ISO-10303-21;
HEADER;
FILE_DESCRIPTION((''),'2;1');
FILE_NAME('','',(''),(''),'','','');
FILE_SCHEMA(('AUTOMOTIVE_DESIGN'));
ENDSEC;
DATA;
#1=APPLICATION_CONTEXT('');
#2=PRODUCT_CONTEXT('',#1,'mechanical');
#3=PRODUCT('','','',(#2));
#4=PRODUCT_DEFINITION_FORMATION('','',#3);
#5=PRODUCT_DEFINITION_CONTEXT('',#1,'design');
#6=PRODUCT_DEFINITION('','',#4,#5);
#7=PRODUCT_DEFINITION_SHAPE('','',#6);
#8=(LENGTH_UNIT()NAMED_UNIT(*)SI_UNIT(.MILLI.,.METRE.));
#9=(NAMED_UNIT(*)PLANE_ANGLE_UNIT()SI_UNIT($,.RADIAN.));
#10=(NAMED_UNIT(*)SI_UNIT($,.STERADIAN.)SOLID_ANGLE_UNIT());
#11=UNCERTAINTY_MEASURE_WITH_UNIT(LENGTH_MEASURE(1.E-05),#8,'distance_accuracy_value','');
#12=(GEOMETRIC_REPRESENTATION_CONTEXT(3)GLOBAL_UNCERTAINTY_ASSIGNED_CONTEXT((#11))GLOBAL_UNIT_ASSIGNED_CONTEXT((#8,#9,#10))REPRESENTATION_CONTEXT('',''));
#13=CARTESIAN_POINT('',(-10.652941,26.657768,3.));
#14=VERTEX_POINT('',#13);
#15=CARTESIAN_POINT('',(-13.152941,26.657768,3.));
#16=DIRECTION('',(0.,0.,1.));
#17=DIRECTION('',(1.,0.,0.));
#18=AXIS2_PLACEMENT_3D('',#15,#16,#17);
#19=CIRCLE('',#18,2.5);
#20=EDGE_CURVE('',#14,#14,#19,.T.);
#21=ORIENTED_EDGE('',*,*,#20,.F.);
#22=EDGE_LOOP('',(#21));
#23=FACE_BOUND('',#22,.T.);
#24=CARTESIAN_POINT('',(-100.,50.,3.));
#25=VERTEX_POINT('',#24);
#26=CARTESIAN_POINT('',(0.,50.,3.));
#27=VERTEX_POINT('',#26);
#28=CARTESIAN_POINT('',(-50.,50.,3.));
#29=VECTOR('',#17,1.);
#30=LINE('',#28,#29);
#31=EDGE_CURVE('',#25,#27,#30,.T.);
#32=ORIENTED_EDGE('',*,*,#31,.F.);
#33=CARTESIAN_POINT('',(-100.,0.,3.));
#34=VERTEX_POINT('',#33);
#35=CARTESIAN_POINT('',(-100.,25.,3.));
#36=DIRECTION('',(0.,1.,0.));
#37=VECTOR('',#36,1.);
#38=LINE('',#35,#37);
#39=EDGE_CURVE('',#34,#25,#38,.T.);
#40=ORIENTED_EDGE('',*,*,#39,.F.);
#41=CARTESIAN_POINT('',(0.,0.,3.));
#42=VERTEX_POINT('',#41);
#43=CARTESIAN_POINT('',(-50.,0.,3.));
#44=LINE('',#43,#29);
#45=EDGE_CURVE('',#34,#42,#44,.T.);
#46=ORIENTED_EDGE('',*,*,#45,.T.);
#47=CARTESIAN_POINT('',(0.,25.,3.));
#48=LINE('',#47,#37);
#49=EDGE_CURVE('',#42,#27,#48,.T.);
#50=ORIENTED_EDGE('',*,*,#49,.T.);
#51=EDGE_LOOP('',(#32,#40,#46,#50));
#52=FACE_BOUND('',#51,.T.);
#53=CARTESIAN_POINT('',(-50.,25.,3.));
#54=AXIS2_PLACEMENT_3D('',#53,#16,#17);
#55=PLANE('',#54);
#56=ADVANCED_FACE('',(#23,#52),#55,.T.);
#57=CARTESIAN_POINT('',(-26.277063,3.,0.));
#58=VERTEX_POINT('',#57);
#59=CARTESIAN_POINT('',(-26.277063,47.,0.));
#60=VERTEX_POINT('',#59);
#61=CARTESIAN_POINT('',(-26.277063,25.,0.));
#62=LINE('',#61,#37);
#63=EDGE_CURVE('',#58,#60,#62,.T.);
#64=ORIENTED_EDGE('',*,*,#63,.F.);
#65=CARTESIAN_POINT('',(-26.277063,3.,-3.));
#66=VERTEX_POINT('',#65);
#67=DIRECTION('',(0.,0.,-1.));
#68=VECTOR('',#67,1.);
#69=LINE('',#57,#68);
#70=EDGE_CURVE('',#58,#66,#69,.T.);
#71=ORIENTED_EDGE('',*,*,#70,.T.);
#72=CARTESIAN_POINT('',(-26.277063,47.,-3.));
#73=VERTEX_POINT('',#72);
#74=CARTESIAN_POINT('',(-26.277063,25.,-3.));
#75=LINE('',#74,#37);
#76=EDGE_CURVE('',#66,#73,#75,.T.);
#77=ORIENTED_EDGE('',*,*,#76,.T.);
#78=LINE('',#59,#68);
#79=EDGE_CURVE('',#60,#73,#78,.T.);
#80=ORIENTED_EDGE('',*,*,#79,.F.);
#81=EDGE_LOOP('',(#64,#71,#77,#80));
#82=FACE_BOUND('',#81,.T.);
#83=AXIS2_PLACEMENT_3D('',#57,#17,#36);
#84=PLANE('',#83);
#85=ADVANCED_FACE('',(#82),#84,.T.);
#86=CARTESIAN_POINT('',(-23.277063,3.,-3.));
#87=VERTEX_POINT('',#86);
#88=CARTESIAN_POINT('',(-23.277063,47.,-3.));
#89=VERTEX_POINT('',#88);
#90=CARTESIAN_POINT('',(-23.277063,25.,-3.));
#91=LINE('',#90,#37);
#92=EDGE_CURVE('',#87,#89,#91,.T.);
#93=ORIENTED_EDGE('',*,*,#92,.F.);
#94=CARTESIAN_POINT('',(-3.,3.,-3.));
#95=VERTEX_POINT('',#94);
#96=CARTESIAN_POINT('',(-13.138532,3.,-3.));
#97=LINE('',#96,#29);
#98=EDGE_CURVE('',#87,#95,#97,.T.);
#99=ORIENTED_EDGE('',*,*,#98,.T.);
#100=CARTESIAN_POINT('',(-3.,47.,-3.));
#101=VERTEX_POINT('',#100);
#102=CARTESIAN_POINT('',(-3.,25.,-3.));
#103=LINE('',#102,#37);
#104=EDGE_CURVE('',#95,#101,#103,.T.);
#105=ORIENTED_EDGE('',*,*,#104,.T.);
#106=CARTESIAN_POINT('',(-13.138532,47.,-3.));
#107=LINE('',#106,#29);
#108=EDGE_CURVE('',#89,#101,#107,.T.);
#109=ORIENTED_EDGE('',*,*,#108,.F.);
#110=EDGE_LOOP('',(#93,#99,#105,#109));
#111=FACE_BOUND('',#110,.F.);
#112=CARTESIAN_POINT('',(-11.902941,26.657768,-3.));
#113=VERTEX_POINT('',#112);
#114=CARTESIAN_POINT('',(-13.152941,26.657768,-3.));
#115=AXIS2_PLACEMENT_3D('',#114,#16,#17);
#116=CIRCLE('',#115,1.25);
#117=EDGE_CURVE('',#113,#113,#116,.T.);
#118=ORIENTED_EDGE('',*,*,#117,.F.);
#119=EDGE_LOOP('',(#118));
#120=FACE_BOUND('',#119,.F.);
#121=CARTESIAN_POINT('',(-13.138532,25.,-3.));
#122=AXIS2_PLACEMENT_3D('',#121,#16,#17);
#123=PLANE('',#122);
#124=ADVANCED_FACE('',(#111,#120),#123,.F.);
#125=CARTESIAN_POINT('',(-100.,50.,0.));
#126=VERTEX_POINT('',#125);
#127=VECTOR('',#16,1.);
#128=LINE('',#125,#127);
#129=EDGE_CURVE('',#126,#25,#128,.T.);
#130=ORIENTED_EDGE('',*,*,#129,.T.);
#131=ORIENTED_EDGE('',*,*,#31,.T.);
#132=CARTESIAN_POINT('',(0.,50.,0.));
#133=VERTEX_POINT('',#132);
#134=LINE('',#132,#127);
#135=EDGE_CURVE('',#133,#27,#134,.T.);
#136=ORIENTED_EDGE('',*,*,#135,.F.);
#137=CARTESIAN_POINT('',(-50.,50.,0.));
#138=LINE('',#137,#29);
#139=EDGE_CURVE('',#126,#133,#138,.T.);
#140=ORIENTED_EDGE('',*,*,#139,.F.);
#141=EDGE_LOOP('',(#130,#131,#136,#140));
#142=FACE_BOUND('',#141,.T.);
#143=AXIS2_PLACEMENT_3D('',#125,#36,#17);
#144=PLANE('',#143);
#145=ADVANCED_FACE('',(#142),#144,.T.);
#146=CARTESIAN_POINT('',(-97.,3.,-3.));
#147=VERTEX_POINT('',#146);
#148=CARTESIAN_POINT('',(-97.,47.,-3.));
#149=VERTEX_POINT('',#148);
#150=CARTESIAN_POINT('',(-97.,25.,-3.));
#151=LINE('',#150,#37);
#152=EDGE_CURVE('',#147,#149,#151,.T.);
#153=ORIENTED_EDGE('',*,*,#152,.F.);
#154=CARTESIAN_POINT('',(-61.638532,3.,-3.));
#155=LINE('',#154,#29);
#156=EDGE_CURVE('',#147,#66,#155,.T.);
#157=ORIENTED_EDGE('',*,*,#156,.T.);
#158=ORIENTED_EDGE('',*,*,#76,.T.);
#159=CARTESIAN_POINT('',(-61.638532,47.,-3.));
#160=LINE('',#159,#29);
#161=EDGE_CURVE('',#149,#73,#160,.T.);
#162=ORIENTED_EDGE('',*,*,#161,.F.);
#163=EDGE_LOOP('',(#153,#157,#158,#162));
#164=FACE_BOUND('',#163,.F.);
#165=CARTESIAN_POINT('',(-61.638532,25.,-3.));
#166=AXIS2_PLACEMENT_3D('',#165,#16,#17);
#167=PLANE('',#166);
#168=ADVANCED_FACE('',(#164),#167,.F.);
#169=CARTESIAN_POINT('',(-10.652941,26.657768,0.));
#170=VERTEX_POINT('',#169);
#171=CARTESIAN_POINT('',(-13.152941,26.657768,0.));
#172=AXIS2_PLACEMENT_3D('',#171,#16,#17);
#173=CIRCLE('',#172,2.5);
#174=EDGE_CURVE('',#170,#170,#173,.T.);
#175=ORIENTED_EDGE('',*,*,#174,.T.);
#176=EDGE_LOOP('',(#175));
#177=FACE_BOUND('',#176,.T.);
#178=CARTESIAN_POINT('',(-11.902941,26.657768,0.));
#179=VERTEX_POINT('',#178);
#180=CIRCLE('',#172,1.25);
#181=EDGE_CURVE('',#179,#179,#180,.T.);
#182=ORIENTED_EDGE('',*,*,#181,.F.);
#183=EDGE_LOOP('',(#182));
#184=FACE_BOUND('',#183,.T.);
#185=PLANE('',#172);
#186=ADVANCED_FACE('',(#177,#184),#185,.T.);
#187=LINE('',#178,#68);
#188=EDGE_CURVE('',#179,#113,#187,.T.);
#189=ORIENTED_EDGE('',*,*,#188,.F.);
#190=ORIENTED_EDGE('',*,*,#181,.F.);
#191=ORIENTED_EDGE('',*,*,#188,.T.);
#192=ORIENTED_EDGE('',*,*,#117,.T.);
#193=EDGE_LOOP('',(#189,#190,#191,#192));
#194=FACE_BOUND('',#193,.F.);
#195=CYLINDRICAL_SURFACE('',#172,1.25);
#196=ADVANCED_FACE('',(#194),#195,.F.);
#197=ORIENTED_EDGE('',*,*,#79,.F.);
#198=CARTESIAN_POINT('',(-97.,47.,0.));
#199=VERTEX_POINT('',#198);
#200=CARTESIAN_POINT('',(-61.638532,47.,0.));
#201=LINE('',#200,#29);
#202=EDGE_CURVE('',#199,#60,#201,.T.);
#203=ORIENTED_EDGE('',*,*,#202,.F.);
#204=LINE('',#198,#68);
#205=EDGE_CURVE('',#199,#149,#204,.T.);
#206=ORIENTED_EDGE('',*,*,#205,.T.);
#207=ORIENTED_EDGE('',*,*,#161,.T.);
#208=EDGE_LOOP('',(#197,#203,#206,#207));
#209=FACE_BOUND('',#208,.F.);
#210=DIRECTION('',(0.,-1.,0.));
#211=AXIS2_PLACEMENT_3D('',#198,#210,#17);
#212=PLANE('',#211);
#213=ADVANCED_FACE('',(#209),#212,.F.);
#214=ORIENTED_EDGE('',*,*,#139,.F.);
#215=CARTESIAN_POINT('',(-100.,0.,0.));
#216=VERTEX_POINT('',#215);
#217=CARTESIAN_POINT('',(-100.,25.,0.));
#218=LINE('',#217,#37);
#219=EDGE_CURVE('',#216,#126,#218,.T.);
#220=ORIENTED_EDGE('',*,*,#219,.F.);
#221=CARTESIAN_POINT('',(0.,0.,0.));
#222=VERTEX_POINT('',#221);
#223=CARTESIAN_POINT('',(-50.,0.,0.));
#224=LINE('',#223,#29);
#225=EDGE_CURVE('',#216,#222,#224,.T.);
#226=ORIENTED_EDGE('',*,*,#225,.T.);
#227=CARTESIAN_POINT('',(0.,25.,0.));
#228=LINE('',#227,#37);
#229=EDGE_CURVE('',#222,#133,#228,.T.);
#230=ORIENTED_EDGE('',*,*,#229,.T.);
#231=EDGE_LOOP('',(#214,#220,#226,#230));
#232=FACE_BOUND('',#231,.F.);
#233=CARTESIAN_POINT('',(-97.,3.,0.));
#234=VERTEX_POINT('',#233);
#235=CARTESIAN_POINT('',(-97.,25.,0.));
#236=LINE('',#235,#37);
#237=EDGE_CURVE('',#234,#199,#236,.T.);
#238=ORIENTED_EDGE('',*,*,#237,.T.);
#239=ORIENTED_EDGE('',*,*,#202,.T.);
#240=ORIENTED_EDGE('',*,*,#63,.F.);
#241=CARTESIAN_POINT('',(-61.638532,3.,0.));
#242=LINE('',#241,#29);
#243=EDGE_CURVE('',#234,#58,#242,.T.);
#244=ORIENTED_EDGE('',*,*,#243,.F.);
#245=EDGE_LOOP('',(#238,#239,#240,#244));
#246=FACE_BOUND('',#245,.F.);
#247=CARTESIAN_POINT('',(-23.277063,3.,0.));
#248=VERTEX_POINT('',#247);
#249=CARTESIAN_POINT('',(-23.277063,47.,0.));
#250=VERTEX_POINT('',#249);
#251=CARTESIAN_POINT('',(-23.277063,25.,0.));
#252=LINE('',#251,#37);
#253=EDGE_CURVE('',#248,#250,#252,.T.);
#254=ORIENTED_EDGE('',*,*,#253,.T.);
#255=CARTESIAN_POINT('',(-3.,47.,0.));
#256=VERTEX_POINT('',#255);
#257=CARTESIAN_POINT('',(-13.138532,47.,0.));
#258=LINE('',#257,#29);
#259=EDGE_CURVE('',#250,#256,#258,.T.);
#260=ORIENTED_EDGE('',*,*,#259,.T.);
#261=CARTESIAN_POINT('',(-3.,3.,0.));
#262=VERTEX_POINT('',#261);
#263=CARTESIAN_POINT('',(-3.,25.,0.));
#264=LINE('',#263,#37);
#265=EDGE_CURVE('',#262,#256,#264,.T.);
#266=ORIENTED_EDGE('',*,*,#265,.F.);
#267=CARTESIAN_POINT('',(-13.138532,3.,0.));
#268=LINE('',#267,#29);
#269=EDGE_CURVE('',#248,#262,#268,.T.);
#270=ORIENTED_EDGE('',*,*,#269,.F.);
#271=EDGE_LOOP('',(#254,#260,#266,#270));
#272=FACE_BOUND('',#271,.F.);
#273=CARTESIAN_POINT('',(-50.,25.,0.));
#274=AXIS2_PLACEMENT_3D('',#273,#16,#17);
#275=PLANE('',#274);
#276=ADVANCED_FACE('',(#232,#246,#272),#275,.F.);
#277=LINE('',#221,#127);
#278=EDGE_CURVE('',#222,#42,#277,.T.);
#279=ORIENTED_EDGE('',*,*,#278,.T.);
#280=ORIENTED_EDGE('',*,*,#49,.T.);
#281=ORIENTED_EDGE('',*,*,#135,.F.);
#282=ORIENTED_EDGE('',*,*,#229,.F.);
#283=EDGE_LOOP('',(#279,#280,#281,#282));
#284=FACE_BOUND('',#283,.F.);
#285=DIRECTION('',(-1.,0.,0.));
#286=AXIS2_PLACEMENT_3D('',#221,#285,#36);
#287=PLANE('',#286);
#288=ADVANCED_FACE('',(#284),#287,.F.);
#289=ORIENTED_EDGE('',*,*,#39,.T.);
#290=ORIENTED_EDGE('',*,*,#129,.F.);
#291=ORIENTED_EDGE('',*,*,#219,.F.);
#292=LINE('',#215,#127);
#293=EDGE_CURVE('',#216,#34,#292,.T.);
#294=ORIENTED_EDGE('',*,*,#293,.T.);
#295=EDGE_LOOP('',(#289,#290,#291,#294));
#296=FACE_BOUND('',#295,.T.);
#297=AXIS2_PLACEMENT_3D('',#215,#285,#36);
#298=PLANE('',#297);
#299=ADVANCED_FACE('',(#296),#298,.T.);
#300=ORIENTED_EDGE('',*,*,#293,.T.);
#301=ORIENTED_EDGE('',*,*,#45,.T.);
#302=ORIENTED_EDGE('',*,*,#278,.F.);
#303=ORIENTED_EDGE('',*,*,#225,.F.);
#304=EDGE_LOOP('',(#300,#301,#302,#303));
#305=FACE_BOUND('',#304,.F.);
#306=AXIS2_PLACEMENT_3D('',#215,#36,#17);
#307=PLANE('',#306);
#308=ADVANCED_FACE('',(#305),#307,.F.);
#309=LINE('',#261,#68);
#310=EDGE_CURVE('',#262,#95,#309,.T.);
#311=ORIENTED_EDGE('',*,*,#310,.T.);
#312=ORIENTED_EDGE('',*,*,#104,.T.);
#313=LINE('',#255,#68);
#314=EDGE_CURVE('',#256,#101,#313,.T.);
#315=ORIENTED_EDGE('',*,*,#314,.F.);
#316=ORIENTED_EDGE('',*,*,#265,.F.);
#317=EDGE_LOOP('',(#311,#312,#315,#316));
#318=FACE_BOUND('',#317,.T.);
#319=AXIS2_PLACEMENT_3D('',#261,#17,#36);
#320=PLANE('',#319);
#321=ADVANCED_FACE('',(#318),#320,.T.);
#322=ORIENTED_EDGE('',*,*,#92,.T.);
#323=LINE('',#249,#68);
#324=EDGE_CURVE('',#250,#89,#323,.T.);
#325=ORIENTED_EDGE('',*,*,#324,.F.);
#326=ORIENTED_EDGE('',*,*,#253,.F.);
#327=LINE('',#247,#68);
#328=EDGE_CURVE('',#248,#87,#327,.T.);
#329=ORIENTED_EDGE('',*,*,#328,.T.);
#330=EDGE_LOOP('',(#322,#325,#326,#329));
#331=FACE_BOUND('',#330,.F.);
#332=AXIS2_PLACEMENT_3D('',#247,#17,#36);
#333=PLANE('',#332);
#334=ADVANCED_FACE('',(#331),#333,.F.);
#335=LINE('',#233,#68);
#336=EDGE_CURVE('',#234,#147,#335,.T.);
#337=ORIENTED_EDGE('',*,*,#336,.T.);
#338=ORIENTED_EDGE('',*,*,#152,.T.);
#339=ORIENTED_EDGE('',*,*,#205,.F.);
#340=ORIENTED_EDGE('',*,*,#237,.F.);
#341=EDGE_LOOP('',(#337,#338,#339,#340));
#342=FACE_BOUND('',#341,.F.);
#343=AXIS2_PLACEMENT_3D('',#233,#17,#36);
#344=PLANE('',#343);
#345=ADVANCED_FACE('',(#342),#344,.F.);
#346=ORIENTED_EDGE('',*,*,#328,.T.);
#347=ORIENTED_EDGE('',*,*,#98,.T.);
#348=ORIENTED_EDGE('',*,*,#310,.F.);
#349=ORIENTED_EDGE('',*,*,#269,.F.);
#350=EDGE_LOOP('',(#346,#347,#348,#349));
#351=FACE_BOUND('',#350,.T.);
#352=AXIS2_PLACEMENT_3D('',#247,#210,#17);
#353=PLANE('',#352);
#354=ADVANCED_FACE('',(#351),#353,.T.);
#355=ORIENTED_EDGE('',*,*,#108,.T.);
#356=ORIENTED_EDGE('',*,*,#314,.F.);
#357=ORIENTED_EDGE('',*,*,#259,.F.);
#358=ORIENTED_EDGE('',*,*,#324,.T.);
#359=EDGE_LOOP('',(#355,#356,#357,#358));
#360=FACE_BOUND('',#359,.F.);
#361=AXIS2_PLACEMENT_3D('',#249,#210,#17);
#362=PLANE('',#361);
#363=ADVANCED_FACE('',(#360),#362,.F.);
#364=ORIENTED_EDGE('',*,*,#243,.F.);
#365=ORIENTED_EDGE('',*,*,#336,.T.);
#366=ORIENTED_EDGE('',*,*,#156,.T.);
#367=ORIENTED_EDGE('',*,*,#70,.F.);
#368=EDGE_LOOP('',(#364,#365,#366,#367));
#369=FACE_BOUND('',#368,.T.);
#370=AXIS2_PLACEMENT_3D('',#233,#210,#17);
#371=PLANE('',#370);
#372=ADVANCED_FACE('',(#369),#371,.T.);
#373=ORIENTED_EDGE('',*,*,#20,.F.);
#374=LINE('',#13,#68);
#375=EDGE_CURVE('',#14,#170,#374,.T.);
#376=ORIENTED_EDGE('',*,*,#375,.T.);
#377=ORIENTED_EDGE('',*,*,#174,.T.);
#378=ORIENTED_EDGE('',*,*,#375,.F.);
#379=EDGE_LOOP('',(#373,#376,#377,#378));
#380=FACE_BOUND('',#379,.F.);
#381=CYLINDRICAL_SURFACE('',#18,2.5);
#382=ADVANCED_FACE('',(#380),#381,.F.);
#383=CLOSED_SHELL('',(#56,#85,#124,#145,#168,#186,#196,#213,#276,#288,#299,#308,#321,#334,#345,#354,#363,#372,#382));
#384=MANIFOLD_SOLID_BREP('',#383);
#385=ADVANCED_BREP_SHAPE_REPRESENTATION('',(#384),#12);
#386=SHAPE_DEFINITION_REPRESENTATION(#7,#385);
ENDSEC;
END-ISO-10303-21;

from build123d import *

# Parameters (mm, degrees)
F0_W     = 100
F0_H     = 50
F0_W_2   = 70.7229366664
F0_H_2   = 44
F0_W_3   = 20.2770633336
F1_DEPTH = 3
F2_DEPTH = 3
F3_R     = 2.5
F4_DEPTH = 3
F5_R     = 1.25
F6_DEPTH = 25


with BuildPart() as f1:
    # F0 (on Top) → F1 (new body)
    with BuildSketch(Plane.XY):
        with Locations((-50, 25)):
            Rectangle(F0_W, F0_H)
        with Locations((-61.6385316668, 25)):
            Rectangle(F0_W_2, F0_H_2, mode=Mode.SUBTRACT)
        with Locations((-13.1385316668, 25)):
            Rectangle(F0_W_3, F0_H_2, mode=Mode.SUBTRACT)
        with Locations((-61.6385316668, 25)):
            Rectangle(F0_W_2, F0_H_2)
        with Locations((-13.1385316668, 25)):
            Rectangle(F0_W_3, F0_H_2)
    extrude(amount=F1_DEPTH)

    # F0 (on Top) → F2 (join)
    with BuildSketch(Plane.XY):
        with Locations((-61.6385316668, 25)):
            Rectangle(F0_W_2, F0_H_2)
        with Locations((-13.1385316668, 25)):
            Rectangle(F0_W_3, F0_H_2)
    extrude(amount=-F2_DEPTH)

    # F3 (on face) → F4 (cut)
    with BuildSketch(Plane.XY.offset(3)):
        with Locations((-13.1529411301, 26.6577675939)):
            Circle(F3_R)
    extrude(amount=-F4_DEPTH, mode=Mode.SUBTRACT)

    # F5 (on face) → F6 (cut)
    with BuildSketch(Plane.XY):
        with Locations((-13.1529411301, 26.6577675939)):
            Circle(F5_R)
    extrude(amount=-F6_DEPTH, mode=Mode.SUBTRACT)


solid = f1.part
